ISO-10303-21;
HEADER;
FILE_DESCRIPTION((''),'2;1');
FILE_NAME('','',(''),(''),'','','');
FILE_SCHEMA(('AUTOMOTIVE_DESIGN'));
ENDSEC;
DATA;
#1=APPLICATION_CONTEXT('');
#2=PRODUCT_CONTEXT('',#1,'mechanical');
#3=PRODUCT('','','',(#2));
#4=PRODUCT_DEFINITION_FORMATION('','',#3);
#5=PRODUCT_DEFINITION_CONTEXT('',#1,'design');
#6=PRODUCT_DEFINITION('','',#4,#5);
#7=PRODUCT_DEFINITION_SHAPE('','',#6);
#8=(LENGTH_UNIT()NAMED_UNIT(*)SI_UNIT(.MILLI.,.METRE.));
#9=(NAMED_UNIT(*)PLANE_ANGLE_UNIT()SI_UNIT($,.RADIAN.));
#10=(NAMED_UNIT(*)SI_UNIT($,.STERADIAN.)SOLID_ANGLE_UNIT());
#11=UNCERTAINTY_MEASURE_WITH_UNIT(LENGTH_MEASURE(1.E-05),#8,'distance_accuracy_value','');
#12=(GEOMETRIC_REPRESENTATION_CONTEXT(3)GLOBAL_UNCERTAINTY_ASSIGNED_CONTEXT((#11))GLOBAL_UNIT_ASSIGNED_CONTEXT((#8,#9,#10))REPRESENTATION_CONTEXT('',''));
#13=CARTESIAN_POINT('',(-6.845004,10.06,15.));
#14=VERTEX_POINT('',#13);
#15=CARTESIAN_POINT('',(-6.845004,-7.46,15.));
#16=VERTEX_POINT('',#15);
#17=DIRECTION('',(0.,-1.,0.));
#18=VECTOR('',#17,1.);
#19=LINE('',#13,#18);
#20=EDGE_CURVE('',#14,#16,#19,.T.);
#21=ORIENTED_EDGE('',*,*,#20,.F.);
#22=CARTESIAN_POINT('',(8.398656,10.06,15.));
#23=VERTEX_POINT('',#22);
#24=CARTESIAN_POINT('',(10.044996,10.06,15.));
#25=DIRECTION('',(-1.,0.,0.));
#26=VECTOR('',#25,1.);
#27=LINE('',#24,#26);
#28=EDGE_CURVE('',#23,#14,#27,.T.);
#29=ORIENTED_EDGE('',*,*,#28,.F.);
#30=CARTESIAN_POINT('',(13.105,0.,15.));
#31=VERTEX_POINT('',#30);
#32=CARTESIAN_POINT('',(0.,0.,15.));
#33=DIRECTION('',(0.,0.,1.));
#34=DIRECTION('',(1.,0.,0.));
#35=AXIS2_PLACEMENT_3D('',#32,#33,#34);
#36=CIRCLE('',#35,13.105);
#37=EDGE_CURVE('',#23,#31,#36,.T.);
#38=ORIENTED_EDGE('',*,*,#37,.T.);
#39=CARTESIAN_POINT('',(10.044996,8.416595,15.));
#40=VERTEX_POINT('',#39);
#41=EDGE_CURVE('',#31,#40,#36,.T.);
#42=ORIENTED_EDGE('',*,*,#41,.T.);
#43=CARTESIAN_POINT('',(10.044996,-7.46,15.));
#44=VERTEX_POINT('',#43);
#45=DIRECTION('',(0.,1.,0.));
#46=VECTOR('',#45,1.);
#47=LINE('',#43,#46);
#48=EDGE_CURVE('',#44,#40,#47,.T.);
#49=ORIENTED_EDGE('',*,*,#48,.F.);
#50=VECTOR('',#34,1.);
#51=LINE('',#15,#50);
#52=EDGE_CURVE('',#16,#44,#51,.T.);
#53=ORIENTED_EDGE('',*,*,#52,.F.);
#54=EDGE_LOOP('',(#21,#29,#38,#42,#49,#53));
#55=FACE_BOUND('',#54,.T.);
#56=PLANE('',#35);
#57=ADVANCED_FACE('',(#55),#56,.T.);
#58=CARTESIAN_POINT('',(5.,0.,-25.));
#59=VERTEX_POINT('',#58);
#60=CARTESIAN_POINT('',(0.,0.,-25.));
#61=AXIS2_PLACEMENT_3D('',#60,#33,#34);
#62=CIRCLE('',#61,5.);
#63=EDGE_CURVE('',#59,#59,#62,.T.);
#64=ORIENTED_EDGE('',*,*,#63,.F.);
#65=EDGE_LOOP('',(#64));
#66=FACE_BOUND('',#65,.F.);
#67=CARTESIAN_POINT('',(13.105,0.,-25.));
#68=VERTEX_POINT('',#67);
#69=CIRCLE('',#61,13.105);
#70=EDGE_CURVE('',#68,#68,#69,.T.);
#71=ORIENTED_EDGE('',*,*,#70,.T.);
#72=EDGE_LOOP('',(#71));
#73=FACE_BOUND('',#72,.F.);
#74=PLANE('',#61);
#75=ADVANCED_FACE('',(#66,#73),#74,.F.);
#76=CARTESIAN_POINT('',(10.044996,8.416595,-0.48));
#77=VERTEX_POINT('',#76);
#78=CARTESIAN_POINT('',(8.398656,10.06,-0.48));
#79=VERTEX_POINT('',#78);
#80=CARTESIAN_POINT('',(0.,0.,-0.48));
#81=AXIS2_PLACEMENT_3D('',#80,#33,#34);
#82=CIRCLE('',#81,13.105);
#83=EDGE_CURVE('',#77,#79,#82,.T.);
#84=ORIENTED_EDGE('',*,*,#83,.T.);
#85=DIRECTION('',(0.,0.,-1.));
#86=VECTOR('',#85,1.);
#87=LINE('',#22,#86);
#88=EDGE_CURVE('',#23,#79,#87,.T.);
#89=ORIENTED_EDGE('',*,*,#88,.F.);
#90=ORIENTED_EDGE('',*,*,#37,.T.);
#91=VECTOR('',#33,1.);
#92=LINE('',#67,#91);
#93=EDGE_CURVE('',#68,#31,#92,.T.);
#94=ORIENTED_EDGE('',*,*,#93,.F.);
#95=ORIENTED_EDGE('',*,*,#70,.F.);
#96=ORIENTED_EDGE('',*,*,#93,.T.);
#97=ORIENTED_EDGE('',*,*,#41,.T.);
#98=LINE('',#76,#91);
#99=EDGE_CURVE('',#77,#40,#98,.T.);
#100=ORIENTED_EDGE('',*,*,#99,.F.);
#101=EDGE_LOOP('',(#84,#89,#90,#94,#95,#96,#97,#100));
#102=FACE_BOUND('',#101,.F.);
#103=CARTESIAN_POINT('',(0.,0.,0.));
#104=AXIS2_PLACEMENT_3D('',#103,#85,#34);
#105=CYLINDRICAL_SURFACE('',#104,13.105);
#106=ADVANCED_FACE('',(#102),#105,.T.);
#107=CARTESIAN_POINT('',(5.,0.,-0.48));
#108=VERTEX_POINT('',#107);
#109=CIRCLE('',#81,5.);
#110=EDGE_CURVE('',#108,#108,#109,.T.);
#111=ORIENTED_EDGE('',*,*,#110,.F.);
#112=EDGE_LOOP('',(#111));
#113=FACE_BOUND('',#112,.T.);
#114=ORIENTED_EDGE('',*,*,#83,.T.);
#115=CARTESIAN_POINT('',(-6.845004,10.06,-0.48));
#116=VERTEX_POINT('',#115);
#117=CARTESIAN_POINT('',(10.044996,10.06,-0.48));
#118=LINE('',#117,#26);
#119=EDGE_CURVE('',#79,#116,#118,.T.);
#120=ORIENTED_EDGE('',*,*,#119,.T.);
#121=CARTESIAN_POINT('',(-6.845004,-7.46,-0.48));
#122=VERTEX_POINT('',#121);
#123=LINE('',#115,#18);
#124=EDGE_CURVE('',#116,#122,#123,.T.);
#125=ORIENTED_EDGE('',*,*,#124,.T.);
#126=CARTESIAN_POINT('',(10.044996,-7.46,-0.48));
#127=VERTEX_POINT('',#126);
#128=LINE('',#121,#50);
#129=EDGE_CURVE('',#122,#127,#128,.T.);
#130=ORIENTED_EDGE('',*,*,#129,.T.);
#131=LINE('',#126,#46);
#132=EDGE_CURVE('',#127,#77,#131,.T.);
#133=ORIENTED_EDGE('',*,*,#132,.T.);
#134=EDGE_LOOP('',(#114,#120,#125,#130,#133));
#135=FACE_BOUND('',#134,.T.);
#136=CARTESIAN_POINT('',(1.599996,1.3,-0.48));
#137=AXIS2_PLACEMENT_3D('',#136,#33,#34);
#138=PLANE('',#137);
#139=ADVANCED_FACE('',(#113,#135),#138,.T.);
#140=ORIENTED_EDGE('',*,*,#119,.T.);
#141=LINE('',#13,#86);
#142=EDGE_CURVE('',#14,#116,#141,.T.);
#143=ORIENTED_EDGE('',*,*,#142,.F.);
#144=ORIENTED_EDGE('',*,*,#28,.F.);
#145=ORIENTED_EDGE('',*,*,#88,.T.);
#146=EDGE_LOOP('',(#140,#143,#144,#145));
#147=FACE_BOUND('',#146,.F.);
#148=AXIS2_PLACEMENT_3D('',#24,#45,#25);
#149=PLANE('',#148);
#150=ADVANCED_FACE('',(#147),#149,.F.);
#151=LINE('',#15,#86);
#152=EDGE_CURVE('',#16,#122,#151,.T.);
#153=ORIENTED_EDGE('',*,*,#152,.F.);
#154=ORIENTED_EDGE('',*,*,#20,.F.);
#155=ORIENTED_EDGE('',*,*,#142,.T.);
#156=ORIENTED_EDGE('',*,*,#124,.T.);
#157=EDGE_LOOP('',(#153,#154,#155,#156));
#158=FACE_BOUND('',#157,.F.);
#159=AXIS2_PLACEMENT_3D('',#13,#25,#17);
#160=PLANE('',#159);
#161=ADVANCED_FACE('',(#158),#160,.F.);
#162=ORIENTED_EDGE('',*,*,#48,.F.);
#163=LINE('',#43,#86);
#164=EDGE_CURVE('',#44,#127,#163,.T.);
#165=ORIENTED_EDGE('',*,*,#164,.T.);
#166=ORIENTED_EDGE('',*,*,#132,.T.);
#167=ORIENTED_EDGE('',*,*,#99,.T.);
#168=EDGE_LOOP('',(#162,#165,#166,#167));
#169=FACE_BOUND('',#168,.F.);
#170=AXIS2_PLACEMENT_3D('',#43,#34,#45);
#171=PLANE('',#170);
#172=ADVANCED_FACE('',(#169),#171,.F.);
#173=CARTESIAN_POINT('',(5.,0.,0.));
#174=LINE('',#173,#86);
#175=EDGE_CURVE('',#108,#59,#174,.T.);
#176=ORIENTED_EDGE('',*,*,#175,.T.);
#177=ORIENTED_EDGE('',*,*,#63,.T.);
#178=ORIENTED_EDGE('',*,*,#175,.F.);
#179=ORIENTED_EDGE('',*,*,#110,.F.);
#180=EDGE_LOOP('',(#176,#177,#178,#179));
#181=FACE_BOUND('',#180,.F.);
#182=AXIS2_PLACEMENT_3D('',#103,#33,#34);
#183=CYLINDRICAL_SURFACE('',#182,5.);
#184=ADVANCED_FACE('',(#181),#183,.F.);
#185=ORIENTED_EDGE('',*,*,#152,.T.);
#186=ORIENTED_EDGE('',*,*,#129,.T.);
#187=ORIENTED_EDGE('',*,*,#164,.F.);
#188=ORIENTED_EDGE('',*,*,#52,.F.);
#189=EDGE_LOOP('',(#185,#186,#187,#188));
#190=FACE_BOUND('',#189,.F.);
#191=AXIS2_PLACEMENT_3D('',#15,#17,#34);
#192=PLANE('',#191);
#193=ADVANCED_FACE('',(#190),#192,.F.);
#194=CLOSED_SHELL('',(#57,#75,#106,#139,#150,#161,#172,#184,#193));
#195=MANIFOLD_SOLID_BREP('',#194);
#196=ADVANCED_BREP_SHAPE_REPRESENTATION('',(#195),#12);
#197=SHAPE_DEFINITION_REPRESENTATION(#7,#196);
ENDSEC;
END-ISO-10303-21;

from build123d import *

# Parameters (mm, degrees)
F1_R          = 13.105
F1_R_2        = 5
F2_DEPTH      = 25
F2_DEPTH_BACK = 15
F5_DEPTH      = 15.48


with BuildPart() as f2:
    # F1 (on Top) → F2 (new body, two sides)
    with BuildSketch(Plane.XY) as f2_sk:
        Circle(F1_R)
        Circle(F1_R_2, mode=Mode.SUBTRACT)
    extrude(amount=-F2_DEPTH)
    extrude(f2_sk.sketch, amount=F2_DEPTH_BACK)

    # F4 (on offset) → F5 (cut)
    with BuildSketch(Plane.XY.offset(15)):
        Polygon((10.0449961981, 10.0600004722), (-6.8450038019, 10.0600004722), (-6.8450038019, -5.8399995278), (-6.8450038019, -7.4599995278), (10.0449961981, -7.4599995278), align=None)
    extrude(amount=-F5_DEPTH, mode=Mode.SUBTRACT)


solid = f2.part
